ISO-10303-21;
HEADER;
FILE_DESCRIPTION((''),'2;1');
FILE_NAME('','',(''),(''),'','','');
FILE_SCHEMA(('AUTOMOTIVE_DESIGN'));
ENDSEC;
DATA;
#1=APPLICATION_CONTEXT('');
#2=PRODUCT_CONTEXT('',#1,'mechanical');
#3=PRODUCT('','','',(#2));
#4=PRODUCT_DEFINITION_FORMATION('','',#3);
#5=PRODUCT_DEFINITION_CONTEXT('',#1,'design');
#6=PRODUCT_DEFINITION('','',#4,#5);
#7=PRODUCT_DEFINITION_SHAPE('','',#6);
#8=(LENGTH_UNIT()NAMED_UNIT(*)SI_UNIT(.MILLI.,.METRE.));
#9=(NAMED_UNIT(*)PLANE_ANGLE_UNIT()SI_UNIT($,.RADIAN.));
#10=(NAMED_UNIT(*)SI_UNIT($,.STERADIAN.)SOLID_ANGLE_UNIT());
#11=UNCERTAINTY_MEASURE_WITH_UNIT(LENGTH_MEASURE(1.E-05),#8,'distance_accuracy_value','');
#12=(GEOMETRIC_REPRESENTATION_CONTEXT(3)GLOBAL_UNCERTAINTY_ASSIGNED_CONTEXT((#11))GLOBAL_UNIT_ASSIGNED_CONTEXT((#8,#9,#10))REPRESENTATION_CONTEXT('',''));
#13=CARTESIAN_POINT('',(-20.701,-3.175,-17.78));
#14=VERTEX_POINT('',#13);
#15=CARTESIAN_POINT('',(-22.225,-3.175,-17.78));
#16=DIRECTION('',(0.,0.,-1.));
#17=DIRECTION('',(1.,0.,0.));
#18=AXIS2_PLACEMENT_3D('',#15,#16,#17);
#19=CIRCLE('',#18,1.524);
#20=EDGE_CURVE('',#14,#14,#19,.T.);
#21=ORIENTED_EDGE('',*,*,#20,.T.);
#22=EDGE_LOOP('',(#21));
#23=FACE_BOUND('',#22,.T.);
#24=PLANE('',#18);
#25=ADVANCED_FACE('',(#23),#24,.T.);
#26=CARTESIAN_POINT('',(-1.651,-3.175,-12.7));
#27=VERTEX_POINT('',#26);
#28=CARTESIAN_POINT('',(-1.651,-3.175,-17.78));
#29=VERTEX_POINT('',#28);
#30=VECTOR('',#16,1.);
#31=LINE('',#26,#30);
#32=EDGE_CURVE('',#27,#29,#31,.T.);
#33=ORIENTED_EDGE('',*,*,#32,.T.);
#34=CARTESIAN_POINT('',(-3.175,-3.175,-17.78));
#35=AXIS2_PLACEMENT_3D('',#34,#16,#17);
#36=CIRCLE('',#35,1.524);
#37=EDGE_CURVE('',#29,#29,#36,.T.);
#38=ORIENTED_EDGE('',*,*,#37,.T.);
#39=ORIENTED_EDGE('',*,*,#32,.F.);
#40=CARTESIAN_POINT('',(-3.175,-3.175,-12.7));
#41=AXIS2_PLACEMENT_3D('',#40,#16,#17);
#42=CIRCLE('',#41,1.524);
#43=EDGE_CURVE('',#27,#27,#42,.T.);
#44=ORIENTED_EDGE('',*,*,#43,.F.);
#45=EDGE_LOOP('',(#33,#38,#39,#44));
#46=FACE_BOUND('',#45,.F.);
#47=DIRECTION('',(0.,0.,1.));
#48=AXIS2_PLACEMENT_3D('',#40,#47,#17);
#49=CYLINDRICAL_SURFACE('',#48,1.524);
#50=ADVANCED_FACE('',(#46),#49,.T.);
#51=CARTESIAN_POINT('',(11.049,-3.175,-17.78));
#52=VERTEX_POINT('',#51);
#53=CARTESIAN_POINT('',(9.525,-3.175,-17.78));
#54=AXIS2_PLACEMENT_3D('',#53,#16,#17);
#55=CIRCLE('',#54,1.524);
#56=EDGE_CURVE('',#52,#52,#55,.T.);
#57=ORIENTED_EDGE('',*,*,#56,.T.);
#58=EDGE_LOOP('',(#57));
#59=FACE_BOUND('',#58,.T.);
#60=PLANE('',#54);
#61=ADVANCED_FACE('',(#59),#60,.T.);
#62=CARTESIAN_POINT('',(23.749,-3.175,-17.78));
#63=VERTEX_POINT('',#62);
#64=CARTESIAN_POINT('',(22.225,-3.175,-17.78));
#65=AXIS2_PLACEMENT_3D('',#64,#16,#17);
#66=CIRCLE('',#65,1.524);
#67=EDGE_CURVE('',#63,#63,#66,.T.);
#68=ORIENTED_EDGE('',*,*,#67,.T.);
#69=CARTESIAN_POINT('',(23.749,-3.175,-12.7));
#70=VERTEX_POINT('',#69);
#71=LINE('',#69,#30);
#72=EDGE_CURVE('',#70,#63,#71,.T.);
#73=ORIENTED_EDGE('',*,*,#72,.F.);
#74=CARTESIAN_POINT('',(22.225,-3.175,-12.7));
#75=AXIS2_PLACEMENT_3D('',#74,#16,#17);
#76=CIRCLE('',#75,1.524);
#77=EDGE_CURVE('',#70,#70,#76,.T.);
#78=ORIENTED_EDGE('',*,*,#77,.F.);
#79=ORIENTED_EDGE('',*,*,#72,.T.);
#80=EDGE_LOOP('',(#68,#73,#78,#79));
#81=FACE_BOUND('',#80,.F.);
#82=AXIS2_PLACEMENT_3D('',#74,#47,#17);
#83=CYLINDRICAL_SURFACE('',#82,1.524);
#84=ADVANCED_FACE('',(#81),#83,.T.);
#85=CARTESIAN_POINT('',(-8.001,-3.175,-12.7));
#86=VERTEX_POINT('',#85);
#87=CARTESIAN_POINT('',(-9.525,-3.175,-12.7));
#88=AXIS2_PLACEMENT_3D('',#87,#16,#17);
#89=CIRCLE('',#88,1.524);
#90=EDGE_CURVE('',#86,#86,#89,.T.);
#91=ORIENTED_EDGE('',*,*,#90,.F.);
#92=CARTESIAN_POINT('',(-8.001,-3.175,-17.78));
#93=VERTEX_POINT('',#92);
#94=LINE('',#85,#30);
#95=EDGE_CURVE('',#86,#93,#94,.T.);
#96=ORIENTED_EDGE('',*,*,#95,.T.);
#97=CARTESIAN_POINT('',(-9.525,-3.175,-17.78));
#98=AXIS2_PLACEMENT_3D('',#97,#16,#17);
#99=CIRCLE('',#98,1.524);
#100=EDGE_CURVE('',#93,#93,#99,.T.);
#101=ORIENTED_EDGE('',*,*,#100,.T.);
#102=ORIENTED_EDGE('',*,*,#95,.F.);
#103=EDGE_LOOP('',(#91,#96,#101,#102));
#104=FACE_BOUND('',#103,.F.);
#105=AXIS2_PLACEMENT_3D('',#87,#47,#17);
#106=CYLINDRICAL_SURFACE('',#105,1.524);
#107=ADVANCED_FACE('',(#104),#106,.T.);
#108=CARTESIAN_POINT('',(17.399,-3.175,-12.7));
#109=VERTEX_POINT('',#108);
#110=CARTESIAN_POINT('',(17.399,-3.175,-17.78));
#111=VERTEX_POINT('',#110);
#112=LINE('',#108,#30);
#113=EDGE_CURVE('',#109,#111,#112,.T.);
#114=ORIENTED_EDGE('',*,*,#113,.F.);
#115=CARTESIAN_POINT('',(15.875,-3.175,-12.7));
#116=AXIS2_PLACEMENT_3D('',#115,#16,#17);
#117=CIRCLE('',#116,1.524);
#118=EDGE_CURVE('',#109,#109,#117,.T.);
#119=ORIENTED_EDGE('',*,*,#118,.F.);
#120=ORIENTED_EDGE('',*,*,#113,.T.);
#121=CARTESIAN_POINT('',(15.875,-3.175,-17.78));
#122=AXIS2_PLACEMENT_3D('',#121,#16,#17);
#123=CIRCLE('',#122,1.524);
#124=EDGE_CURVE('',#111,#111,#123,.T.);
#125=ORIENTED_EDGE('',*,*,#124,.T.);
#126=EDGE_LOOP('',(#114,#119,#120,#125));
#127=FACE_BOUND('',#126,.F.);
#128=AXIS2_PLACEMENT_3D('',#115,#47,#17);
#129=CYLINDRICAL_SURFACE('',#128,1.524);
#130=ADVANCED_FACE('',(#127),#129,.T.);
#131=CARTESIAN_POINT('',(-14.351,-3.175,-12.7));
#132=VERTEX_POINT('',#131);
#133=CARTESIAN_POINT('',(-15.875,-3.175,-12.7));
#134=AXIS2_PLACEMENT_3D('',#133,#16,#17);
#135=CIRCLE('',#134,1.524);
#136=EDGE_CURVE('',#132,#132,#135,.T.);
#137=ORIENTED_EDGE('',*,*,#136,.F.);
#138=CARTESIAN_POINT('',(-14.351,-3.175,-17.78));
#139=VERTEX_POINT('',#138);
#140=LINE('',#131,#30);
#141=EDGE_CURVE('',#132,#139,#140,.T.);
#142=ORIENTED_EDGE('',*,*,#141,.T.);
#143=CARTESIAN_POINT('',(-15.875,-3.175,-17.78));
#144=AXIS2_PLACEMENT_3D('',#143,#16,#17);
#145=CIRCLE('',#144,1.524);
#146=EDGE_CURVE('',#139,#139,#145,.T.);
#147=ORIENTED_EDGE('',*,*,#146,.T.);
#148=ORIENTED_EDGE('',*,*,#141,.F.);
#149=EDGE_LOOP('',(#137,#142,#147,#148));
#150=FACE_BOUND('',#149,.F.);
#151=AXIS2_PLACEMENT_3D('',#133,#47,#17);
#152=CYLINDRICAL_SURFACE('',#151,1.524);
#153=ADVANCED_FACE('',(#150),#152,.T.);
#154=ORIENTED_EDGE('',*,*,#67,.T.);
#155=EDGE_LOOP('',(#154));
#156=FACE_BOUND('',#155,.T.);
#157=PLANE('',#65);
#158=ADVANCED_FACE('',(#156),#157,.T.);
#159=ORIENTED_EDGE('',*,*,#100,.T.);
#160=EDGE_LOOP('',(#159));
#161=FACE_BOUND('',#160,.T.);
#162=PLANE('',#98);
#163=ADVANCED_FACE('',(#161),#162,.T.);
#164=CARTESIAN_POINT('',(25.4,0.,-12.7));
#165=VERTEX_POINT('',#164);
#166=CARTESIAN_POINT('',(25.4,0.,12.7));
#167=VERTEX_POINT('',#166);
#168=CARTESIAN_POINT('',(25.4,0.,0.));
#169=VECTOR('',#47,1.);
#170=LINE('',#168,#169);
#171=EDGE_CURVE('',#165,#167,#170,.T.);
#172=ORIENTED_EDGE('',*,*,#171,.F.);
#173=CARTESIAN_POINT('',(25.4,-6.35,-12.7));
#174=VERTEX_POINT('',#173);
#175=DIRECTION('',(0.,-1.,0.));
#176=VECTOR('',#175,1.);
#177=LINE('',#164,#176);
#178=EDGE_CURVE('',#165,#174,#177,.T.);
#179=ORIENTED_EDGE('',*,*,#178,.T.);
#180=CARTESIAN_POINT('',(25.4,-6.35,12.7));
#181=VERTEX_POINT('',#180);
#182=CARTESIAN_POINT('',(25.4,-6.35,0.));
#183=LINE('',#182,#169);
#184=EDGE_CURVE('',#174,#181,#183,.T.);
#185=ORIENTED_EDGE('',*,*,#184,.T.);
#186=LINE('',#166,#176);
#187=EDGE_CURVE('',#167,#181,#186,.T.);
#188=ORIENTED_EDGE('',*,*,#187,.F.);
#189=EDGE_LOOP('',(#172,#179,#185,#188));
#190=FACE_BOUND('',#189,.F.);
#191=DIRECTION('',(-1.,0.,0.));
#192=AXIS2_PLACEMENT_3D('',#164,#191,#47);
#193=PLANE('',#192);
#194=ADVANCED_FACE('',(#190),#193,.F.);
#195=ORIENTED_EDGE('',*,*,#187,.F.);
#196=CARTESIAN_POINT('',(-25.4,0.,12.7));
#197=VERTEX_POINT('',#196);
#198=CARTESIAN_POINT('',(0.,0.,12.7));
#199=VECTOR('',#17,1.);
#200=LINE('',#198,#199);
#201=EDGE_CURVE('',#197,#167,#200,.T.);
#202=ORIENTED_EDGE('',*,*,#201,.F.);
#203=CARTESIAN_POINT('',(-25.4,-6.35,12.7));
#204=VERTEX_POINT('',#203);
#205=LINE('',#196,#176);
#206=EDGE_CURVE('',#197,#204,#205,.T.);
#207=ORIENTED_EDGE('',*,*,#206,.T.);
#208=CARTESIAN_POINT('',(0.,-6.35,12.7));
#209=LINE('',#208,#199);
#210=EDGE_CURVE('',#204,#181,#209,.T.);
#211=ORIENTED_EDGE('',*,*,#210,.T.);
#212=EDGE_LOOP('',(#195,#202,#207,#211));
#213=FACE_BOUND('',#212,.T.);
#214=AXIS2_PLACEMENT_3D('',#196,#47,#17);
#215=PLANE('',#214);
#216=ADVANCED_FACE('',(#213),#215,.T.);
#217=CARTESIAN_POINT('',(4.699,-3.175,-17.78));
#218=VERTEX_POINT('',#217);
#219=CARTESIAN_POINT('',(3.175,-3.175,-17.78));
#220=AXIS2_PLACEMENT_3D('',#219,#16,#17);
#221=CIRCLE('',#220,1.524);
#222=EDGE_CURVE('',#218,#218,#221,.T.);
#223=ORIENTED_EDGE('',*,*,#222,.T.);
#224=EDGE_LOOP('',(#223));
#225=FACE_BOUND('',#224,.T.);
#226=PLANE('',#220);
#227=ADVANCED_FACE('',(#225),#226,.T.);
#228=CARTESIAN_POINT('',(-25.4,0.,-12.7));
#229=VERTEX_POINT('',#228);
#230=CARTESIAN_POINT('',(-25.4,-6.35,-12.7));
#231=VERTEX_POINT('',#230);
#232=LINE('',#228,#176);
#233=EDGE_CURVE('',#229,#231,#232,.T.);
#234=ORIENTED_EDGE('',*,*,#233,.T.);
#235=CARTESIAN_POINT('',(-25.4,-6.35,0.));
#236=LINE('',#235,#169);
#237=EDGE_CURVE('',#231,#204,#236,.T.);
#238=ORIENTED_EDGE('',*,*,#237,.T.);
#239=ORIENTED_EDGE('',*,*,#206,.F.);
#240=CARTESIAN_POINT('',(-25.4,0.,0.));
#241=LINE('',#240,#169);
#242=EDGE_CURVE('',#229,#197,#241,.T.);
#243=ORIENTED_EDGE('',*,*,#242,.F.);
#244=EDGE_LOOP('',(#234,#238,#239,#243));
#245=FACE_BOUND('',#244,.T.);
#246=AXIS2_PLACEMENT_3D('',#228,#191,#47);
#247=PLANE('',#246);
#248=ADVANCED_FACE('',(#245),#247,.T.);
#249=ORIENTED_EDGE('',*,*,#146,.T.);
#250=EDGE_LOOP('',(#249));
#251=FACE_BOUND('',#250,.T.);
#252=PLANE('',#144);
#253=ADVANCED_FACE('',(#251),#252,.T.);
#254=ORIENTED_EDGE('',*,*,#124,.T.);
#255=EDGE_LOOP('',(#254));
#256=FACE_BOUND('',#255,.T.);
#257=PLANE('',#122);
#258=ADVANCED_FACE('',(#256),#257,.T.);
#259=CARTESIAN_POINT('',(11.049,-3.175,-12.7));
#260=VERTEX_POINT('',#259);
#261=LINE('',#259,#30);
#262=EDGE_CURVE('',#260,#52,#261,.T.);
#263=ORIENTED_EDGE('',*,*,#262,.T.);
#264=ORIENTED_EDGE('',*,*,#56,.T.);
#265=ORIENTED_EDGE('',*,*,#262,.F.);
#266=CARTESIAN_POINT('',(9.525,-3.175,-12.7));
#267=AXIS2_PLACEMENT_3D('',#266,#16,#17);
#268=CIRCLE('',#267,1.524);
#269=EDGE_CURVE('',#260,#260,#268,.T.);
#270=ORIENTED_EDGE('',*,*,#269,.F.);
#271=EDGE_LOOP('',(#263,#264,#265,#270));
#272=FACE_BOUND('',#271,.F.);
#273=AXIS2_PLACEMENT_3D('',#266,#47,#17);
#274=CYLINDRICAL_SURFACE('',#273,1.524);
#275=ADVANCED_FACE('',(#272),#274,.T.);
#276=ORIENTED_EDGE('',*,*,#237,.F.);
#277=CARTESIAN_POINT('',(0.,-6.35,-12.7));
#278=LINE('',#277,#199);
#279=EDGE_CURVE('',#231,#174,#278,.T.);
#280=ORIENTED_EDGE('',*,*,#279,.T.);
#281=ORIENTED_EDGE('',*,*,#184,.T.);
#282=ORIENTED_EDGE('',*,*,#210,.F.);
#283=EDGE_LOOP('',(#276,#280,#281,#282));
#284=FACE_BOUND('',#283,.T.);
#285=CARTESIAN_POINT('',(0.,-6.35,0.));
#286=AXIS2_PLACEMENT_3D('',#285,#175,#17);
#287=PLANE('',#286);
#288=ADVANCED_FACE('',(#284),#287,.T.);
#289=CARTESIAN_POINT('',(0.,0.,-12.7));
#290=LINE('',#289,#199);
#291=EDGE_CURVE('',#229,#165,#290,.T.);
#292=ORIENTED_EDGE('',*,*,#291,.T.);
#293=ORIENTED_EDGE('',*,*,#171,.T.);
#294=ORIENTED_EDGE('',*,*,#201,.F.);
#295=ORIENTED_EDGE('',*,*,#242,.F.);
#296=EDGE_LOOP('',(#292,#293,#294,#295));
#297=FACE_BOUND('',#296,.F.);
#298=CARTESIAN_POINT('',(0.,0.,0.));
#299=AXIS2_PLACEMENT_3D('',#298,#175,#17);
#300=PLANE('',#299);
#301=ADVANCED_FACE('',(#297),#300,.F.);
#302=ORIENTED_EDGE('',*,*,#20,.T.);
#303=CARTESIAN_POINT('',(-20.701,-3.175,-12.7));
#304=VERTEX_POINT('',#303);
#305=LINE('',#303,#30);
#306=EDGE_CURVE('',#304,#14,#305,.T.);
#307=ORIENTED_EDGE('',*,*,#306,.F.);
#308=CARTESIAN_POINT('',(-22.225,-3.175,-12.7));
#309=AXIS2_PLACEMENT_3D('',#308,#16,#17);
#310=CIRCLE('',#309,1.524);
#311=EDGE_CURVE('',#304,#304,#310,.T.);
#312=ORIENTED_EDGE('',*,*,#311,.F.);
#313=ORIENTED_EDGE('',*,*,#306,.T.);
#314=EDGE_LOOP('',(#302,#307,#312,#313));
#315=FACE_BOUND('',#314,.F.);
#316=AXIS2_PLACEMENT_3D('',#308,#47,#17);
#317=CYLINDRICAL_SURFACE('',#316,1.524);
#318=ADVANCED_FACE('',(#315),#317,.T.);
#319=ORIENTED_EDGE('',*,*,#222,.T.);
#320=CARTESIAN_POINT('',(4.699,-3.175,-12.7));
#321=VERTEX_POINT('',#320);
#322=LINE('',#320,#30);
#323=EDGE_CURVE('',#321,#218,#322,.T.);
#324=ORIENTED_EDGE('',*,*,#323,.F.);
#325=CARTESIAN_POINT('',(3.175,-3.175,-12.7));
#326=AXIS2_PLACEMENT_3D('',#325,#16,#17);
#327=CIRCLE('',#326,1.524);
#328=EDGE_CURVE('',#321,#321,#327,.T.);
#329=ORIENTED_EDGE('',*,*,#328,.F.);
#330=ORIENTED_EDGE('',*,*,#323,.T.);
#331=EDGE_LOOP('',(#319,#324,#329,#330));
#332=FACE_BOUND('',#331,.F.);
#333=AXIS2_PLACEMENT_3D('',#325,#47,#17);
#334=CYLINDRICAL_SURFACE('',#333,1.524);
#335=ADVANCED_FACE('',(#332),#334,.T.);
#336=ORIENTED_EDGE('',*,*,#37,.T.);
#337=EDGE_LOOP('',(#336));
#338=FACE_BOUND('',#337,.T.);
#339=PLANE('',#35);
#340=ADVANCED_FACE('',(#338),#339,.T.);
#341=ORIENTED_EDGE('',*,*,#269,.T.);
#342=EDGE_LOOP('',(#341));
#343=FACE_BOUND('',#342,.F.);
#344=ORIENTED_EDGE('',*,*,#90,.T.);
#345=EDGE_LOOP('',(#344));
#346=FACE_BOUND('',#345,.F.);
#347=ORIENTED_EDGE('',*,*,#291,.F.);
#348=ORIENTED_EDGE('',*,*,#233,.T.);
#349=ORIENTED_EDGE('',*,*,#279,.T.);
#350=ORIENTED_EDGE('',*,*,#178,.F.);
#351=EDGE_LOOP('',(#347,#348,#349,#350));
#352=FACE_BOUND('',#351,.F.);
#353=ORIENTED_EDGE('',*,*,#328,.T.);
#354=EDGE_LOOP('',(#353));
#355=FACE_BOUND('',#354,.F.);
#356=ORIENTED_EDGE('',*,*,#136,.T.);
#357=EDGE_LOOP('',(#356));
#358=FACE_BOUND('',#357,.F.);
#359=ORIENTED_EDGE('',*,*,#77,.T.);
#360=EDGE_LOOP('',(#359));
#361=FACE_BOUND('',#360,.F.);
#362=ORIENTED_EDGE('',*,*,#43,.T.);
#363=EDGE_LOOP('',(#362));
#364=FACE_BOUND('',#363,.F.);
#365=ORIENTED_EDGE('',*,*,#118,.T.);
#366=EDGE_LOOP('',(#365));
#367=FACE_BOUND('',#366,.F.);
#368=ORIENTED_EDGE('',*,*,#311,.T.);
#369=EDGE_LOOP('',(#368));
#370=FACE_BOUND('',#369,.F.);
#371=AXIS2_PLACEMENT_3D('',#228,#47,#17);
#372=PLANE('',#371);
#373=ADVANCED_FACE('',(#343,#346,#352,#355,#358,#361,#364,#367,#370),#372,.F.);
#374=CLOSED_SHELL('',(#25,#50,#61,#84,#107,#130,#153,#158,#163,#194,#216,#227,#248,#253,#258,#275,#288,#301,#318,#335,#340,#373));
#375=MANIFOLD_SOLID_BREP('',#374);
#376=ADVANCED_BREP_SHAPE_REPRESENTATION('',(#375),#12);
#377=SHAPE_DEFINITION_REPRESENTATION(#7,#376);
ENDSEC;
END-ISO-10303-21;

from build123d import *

# Parameters (mm, degrees)
F0_W     = 50.8
F0_H     = 25.4
F1_DEPTH = 6.35
F2_R     = 1.524
F3_DEPTH = 5.08


with BuildPart() as f1:
    # F0 (on Front) → F1 (new body)
    with BuildSketch(Plane.XZ):
        Rectangle(F0_W, F0_H)
    extrude(amount=F1_DEPTH)

    # F2 (on face) → F3 (join)
    with BuildSketch(Plane(origin=(0, 0, -12.7), x_dir=(1, 0, 0), z_dir=(0, 0, -1))):
        with BuildLine():
            ThreePointArc((-23.749, 3.175), (-22.225, 1.651), (-20.701, 3.175))
            ThreePointArc((-20.701, 3.175), (-22.225, 4.699), (-23.749, 3.175))
        make_face()
        with Locations((-15.875, 3.175)):
            Circle(F2_R)
        with Locations((-9.525, 3.175)):
            Circle(F2_R)
        with Locations((-3.175, 3.175)):
            Circle(F2_R)
        with Locations((3.175, 3.175)):
            Circle(F2_R)
        with Locations((9.525, 3.175)):
            Circle(F2_R)
        with Locations((15.875, 3.175)):
            Circle(F2_R)
        with Locations((22.225, 3.175)):
            Circle(F2_R)
    extrude(amount=F3_DEPTH)


solid = f1.part
